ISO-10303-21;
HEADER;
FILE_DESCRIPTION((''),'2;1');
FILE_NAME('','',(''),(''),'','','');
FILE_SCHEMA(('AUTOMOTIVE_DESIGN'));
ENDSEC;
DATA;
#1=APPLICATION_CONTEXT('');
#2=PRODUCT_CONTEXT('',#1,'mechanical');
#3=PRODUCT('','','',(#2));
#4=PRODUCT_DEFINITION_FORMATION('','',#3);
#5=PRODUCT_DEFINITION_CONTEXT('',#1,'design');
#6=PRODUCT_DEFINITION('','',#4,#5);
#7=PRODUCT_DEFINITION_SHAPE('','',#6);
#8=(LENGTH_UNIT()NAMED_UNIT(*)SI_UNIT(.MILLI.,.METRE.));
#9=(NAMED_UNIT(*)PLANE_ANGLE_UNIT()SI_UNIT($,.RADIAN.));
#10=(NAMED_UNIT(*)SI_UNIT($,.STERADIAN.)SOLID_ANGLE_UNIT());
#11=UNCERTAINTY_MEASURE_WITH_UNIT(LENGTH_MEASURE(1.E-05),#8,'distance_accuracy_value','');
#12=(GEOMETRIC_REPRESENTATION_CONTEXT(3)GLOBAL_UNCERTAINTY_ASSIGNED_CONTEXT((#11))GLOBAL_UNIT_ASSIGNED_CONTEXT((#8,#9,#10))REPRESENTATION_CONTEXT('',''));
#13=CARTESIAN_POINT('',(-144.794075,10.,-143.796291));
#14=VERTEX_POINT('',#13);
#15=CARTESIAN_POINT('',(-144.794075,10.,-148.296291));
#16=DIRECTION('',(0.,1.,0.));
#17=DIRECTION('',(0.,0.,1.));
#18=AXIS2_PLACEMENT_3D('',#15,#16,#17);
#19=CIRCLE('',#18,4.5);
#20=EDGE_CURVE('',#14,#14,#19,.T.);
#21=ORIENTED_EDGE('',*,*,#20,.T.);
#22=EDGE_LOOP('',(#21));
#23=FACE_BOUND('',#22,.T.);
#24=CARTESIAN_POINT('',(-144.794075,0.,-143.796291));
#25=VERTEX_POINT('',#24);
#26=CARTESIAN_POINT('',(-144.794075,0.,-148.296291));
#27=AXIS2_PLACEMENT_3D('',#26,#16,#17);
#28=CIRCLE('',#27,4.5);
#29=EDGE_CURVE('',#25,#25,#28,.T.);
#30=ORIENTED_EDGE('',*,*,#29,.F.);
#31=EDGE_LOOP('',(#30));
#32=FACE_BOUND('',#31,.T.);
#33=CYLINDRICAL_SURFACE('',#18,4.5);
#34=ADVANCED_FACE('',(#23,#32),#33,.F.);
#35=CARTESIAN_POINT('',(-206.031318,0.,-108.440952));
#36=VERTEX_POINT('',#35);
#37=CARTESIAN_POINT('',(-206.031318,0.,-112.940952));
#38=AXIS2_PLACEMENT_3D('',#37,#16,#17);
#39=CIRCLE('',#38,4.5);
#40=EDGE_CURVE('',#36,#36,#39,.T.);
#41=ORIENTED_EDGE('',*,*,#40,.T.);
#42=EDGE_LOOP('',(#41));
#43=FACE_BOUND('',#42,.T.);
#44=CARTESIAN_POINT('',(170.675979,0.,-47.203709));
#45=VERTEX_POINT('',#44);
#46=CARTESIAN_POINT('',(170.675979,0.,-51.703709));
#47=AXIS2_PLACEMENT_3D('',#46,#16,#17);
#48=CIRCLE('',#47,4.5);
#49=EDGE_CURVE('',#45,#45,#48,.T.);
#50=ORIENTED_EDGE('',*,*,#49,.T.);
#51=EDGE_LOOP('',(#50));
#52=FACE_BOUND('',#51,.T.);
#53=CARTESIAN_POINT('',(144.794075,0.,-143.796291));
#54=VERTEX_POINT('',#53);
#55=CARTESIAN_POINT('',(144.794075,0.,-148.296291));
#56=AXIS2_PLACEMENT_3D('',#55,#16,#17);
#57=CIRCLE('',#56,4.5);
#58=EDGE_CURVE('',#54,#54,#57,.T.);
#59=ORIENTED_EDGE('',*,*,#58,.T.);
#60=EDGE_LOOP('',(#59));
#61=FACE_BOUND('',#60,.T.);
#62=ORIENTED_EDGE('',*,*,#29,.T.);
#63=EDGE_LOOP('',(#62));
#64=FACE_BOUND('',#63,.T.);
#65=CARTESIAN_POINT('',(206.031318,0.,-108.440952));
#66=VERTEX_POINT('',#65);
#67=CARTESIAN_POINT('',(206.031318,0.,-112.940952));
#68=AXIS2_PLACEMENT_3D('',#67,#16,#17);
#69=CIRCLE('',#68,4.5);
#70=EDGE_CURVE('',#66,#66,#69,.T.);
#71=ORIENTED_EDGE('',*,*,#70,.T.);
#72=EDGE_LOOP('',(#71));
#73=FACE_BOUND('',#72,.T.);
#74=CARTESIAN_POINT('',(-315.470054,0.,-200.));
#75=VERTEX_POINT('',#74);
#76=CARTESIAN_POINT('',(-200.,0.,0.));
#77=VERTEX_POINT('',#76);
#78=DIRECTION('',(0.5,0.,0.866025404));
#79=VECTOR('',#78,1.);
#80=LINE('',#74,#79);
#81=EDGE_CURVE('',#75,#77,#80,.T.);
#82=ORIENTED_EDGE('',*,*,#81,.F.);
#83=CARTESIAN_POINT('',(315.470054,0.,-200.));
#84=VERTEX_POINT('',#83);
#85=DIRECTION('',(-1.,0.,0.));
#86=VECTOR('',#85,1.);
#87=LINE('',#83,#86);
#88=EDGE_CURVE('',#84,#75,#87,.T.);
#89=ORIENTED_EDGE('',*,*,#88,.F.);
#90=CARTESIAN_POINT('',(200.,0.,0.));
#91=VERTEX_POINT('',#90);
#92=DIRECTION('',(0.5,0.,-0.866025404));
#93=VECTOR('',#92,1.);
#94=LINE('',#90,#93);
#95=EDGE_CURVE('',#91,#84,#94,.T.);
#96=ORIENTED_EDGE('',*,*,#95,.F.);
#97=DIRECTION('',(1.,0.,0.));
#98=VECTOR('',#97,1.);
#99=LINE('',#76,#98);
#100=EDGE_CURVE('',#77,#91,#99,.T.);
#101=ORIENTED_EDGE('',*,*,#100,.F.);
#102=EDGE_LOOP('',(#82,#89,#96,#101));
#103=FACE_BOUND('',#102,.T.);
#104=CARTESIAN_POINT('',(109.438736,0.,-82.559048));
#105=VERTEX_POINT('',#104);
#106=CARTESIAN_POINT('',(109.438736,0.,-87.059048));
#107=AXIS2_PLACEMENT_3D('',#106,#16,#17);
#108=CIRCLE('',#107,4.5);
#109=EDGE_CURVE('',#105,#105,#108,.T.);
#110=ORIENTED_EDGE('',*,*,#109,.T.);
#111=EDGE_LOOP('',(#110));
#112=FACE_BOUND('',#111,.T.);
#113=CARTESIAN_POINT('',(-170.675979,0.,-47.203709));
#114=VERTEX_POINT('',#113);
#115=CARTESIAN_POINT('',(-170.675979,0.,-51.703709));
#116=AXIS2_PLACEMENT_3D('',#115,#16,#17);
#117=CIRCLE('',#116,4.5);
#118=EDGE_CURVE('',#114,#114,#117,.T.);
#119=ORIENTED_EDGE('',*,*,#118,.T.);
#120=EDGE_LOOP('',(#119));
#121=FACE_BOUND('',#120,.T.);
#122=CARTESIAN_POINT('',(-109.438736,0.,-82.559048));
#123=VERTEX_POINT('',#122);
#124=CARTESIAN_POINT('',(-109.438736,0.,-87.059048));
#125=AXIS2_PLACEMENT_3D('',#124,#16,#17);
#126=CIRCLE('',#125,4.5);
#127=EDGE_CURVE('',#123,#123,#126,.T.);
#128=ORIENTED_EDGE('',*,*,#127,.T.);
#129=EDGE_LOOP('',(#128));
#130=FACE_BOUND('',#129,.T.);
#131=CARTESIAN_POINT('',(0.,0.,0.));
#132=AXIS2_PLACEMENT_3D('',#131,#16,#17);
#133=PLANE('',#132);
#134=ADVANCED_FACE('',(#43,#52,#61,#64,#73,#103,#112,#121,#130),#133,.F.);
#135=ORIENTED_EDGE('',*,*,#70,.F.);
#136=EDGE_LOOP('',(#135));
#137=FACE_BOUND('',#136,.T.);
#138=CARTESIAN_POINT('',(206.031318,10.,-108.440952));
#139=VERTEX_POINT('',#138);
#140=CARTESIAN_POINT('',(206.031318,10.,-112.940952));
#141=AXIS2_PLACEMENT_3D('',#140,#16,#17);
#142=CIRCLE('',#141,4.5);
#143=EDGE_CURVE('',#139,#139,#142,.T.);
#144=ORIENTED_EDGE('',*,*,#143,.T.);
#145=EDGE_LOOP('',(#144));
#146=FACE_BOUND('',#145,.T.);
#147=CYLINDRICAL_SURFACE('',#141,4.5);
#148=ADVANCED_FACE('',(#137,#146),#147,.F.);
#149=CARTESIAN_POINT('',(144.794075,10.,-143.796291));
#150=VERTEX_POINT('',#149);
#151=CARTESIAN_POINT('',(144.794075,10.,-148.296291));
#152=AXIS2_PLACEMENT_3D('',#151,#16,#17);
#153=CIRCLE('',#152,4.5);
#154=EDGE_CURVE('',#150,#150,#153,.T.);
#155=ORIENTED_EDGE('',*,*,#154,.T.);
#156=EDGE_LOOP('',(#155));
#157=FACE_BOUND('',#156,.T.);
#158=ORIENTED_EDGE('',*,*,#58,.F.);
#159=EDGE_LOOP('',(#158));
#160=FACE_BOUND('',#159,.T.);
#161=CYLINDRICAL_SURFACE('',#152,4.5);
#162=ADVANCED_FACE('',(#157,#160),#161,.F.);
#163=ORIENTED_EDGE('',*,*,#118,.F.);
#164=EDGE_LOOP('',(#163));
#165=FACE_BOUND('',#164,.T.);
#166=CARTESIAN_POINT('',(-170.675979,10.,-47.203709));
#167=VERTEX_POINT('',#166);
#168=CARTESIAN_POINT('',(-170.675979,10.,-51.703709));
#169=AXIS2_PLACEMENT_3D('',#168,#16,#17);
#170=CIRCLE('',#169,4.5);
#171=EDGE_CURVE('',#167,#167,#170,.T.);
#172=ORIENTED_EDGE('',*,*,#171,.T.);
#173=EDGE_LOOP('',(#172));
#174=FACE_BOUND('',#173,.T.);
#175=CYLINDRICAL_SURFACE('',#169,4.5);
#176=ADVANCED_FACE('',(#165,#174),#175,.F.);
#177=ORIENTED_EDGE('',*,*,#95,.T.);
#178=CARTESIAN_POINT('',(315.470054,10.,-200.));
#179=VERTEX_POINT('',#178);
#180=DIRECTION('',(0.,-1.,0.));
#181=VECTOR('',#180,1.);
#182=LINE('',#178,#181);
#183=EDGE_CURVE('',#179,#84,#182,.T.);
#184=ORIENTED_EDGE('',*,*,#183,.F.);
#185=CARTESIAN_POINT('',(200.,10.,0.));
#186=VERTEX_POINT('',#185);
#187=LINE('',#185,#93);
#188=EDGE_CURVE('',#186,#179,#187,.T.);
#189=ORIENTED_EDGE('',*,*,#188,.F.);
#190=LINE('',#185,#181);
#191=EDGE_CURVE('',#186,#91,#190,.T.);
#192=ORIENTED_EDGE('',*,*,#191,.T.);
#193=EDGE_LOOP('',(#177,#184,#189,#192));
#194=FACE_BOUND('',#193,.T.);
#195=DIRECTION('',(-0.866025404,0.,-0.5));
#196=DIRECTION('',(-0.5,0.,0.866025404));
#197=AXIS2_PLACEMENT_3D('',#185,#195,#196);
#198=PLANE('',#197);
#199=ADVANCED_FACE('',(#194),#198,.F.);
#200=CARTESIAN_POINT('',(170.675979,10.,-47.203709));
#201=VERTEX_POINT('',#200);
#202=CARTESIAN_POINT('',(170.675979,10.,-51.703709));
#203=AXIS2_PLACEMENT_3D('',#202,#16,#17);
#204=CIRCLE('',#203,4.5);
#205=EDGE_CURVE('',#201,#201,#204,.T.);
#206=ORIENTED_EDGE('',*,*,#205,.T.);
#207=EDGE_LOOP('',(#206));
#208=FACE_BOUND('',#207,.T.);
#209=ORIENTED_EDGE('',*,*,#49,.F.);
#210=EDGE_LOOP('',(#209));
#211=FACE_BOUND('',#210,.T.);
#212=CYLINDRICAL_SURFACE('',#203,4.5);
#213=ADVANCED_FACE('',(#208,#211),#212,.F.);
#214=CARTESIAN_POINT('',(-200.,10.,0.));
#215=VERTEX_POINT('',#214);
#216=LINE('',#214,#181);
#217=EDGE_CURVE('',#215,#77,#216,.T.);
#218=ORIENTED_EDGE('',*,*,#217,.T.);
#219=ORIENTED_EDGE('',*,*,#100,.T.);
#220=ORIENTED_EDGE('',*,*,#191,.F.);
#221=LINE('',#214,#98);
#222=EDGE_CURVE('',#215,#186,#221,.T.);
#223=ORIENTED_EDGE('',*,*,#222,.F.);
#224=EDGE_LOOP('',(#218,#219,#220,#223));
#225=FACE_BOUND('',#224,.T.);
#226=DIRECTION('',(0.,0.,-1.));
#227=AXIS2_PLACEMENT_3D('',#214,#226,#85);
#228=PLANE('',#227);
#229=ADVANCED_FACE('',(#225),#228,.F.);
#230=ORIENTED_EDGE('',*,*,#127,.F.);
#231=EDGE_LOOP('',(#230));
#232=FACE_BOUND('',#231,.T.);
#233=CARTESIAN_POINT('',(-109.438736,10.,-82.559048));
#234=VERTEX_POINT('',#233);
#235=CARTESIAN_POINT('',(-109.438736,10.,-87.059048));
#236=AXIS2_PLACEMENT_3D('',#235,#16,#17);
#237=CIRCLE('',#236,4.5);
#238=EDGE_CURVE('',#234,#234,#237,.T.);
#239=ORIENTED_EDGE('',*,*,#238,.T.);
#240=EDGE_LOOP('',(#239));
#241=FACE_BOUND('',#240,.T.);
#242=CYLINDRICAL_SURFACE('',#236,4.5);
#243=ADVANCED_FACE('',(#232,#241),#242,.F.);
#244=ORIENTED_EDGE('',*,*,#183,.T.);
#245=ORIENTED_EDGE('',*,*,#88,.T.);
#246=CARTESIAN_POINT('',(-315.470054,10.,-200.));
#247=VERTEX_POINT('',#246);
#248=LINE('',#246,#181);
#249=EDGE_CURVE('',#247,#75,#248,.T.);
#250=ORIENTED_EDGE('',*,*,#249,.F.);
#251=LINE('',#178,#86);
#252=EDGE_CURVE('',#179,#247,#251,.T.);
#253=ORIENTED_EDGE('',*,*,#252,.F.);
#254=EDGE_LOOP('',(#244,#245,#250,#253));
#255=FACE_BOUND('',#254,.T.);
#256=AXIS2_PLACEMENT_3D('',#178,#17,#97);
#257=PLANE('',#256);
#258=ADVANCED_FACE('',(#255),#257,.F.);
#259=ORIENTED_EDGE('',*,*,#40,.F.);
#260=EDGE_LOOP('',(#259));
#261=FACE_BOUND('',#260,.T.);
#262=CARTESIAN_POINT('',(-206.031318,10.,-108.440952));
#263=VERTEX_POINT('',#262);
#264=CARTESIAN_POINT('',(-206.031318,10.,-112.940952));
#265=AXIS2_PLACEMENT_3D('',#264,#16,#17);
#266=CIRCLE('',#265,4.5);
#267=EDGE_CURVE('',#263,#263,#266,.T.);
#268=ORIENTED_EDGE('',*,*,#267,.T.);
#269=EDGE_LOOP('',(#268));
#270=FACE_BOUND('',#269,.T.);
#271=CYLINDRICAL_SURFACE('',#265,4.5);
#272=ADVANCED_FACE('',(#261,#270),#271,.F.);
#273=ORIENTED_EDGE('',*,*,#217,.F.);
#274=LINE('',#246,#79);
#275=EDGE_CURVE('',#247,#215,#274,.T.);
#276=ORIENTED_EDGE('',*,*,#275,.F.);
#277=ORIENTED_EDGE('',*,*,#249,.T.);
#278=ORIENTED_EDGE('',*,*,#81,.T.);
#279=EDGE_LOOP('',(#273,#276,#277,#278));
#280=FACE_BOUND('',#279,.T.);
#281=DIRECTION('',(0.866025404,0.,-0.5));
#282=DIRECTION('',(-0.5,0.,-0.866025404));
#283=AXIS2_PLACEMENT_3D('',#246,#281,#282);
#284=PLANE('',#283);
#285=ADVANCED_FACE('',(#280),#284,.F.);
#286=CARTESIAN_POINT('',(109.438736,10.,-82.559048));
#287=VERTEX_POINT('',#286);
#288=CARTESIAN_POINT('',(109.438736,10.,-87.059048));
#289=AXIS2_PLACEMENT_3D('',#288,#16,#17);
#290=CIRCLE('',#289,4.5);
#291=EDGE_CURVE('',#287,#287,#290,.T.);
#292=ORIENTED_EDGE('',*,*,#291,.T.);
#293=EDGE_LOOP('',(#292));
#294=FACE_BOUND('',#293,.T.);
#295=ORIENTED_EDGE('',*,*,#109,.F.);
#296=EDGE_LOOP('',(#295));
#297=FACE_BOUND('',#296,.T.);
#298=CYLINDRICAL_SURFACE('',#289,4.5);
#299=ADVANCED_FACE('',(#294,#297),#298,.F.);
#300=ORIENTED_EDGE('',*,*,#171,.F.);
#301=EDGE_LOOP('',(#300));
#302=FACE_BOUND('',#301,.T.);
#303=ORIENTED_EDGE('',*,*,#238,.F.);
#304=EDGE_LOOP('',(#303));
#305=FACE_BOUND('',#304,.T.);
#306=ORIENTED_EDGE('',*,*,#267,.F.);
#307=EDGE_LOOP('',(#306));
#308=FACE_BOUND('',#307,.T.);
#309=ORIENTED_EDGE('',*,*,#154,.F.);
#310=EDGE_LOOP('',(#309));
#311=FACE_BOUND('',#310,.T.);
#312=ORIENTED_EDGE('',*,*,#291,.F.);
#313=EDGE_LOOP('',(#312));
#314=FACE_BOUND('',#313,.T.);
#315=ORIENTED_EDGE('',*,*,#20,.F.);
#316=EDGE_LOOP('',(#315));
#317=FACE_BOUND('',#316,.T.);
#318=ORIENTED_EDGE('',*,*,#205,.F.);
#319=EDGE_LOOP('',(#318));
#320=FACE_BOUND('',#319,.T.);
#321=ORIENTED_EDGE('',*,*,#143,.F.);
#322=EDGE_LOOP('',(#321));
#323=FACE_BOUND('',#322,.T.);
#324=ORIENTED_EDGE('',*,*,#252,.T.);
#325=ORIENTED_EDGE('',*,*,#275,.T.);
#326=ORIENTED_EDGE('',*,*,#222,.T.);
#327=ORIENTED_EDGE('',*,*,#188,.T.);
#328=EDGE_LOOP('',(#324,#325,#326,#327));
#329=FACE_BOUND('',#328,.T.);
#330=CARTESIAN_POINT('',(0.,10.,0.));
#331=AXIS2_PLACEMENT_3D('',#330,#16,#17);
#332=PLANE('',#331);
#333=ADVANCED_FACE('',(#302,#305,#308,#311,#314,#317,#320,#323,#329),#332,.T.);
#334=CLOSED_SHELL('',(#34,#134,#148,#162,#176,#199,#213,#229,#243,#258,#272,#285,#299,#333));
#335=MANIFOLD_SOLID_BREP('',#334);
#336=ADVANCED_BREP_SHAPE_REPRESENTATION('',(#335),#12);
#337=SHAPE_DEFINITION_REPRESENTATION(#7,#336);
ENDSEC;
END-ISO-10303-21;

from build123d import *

# Parameters (mm, degrees)
BOSS_EXTRUDE1_DEPTH  = 10
M8_CLEARANCE_HOLE4_D = 9
M8_CLEARANCE_HOLE5_D = 9
CIRPATTERN1_COUNT    = 4
CIRPATTERN2_COUNT    = 4


with BuildPart() as part:
    # Sketch1 → Boss-Extrude1 (new body)
    with BuildSketch(Plane(origin=(0, 0, 0), x_dir=(1, 0, 0), z_dir=(0, 1, 0))):
        Polygon((-200, 0), (200, 0), (315.470053838, 200), (-315.470053838, 200), align=None)
    extrude(amount=BOSS_EXTRUDE1_DEPTH)

    # M8 Clearance Hole4 (through all)
    with Locations(Plane(origin=(0, 10, 0), x_dir=(1, 0, 0), z_dir=(0, 1, 0))):
        with Locations((-170.675979174, 51.703708686)):
            m8_clearance_hole4 = Hole(M8_CLEARANCE_HOLE4_D / 2)

    # M8 Clearance Hole5 (through all)
    with Locations(Plane(origin=(0, 10, 0), x_dir=(1, 0, 0), z_dir=(0, 1, 0))):
        with Locations((170.675979174, 51.703708686)):
            m8_clearance_hole5 = Hole(M8_CLEARANCE_HOLE5_D / 2)

    # CirPattern1: M8 Clearance Hole5 ×4 about axis
    cirpattern1_axis = Axis((157.735026919, 10, -100), (0, 1, 0))
    for i in range(1, CIRPATTERN1_COUNT):
        add(m8_clearance_hole5.rotate(cirpattern1_axis, i * 360 / CIRPATTERN1_COUNT), mode=Mode.SUBTRACT)

    # CirPattern2: M8 Clearance Hole4 ×4 about axis
    cirpattern2_axis = Axis((-157.735026919, 10, -100), (0, 1, 0))
    for i in range(1, CIRPATTERN2_COUNT):
        add(m8_clearance_hole4.rotate(cirpattern2_axis, i * 360 / CIRPATTERN2_COUNT), mode=Mode.SUBTRACT)


solid = part.part
